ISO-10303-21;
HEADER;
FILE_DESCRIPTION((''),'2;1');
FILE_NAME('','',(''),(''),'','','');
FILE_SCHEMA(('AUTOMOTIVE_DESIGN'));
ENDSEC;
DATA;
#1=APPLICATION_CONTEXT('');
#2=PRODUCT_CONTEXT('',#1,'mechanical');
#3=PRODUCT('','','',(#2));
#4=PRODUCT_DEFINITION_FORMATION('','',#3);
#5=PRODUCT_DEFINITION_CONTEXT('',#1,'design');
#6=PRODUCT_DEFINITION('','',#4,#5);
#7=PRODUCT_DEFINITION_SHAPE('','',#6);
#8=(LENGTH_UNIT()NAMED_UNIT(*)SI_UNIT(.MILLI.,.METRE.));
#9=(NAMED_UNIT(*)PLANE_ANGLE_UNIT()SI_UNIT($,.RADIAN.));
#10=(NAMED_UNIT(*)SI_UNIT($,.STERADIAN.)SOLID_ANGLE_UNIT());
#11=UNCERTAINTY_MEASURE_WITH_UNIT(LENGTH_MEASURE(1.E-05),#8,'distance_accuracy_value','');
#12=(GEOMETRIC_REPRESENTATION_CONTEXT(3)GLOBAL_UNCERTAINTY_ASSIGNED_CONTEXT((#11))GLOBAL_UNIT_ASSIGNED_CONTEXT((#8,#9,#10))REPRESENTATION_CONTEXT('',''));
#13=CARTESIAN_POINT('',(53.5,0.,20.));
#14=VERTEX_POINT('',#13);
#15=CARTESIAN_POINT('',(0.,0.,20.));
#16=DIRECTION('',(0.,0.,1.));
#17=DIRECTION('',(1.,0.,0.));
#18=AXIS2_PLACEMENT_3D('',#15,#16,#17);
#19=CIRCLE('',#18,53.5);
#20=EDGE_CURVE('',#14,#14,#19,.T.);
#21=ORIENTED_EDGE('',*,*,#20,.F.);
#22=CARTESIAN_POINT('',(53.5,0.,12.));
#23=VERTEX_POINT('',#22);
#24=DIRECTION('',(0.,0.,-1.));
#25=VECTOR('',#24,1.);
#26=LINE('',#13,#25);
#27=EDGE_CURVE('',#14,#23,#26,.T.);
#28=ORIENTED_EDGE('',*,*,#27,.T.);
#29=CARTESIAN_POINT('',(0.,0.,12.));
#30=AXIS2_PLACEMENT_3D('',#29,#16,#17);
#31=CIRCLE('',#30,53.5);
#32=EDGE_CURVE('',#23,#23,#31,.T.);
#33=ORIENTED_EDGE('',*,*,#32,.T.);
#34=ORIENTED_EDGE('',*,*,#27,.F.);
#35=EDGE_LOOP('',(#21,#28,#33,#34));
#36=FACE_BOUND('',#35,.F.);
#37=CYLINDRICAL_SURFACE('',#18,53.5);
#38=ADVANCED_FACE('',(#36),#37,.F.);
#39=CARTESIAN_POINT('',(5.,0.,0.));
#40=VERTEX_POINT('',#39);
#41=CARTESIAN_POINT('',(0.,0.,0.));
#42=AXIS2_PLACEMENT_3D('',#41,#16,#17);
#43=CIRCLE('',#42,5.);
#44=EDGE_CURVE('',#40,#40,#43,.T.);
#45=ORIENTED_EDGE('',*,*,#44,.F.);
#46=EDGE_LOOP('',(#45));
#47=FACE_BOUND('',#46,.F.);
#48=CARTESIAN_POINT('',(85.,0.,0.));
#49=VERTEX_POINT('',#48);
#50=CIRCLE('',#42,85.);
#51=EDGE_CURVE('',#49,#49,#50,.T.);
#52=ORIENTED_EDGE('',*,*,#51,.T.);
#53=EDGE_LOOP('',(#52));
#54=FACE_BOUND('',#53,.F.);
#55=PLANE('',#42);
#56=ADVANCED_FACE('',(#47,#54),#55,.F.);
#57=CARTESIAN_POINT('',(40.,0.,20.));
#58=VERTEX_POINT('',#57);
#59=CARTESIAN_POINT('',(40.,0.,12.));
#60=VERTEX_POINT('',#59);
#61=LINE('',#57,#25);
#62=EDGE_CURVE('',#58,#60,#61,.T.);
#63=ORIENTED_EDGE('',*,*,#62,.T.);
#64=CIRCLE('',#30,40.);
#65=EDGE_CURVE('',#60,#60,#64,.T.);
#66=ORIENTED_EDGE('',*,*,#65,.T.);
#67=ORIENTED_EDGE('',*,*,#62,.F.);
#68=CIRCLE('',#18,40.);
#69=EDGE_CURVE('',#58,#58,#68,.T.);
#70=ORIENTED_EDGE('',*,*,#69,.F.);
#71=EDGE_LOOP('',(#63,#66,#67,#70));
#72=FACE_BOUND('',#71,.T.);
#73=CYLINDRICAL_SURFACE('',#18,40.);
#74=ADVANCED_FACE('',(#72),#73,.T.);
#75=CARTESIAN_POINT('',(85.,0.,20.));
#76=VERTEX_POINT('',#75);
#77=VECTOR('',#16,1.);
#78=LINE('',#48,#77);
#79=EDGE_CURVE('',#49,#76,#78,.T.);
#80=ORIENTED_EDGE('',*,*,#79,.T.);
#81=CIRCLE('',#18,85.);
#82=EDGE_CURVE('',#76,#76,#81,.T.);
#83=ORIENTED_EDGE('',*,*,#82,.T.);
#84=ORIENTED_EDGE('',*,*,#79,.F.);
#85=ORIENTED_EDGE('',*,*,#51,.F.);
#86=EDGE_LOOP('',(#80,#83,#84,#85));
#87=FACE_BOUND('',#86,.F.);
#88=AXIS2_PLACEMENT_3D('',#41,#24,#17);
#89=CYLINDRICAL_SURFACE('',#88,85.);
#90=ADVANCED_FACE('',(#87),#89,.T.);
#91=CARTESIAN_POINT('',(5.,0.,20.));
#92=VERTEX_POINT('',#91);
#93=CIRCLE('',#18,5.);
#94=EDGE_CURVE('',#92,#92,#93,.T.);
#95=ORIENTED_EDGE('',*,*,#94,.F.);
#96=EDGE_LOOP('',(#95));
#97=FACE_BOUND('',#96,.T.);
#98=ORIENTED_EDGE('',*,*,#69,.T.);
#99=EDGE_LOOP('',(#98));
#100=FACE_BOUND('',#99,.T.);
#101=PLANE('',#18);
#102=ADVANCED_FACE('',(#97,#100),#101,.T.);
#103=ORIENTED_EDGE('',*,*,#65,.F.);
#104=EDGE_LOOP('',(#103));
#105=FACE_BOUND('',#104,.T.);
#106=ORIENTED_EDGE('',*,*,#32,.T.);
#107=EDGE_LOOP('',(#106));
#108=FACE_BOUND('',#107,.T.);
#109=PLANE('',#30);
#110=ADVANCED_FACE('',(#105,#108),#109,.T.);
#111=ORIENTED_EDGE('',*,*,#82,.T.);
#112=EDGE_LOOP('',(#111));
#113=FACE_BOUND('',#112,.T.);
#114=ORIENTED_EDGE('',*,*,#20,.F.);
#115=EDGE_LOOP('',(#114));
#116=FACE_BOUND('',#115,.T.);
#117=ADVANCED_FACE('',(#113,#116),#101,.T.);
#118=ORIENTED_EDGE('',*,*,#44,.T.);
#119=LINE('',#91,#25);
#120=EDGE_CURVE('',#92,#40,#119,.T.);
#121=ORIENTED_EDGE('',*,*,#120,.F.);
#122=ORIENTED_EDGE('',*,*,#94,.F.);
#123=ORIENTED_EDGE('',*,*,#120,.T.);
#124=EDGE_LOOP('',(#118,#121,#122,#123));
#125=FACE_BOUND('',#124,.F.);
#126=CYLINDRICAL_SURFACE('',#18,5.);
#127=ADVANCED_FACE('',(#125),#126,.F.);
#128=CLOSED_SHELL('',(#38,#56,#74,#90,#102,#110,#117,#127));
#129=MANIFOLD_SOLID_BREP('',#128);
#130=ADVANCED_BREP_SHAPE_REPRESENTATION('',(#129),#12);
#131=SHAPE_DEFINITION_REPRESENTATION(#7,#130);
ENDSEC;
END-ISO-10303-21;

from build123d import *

# Parameters (mm, degrees)
F0_R     = 85
F1_DEPTH = 20
F2_R     = 53.5
F2_R_2   = 40
F3_DEPTH = 8
F4_R     = 5
F5_DEPTH = 20.001


with BuildPart() as f1:
    # F0 (on Top) → F1 (new body)
    with BuildSketch(Plane.XY):
        Circle(F0_R)
    extrude(amount=F1_DEPTH)

    # F2 (on face) → F3 (cut)
    with BuildSketch(Plane.XY.offset(20)):
        Circle(F2_R)
        Circle(F2_R_2, mode=Mode.SUBTRACT)
    extrude(amount=-F3_DEPTH, mode=Mode.SUBTRACT)

    # F4 (on face) → F5 (cut, through all)
    with BuildSketch(Plane.XY.offset(20)):
        Circle(F4_R)
    extrude(amount=-F5_DEPTH, mode=Mode.SUBTRACT)


solid = f1.part
